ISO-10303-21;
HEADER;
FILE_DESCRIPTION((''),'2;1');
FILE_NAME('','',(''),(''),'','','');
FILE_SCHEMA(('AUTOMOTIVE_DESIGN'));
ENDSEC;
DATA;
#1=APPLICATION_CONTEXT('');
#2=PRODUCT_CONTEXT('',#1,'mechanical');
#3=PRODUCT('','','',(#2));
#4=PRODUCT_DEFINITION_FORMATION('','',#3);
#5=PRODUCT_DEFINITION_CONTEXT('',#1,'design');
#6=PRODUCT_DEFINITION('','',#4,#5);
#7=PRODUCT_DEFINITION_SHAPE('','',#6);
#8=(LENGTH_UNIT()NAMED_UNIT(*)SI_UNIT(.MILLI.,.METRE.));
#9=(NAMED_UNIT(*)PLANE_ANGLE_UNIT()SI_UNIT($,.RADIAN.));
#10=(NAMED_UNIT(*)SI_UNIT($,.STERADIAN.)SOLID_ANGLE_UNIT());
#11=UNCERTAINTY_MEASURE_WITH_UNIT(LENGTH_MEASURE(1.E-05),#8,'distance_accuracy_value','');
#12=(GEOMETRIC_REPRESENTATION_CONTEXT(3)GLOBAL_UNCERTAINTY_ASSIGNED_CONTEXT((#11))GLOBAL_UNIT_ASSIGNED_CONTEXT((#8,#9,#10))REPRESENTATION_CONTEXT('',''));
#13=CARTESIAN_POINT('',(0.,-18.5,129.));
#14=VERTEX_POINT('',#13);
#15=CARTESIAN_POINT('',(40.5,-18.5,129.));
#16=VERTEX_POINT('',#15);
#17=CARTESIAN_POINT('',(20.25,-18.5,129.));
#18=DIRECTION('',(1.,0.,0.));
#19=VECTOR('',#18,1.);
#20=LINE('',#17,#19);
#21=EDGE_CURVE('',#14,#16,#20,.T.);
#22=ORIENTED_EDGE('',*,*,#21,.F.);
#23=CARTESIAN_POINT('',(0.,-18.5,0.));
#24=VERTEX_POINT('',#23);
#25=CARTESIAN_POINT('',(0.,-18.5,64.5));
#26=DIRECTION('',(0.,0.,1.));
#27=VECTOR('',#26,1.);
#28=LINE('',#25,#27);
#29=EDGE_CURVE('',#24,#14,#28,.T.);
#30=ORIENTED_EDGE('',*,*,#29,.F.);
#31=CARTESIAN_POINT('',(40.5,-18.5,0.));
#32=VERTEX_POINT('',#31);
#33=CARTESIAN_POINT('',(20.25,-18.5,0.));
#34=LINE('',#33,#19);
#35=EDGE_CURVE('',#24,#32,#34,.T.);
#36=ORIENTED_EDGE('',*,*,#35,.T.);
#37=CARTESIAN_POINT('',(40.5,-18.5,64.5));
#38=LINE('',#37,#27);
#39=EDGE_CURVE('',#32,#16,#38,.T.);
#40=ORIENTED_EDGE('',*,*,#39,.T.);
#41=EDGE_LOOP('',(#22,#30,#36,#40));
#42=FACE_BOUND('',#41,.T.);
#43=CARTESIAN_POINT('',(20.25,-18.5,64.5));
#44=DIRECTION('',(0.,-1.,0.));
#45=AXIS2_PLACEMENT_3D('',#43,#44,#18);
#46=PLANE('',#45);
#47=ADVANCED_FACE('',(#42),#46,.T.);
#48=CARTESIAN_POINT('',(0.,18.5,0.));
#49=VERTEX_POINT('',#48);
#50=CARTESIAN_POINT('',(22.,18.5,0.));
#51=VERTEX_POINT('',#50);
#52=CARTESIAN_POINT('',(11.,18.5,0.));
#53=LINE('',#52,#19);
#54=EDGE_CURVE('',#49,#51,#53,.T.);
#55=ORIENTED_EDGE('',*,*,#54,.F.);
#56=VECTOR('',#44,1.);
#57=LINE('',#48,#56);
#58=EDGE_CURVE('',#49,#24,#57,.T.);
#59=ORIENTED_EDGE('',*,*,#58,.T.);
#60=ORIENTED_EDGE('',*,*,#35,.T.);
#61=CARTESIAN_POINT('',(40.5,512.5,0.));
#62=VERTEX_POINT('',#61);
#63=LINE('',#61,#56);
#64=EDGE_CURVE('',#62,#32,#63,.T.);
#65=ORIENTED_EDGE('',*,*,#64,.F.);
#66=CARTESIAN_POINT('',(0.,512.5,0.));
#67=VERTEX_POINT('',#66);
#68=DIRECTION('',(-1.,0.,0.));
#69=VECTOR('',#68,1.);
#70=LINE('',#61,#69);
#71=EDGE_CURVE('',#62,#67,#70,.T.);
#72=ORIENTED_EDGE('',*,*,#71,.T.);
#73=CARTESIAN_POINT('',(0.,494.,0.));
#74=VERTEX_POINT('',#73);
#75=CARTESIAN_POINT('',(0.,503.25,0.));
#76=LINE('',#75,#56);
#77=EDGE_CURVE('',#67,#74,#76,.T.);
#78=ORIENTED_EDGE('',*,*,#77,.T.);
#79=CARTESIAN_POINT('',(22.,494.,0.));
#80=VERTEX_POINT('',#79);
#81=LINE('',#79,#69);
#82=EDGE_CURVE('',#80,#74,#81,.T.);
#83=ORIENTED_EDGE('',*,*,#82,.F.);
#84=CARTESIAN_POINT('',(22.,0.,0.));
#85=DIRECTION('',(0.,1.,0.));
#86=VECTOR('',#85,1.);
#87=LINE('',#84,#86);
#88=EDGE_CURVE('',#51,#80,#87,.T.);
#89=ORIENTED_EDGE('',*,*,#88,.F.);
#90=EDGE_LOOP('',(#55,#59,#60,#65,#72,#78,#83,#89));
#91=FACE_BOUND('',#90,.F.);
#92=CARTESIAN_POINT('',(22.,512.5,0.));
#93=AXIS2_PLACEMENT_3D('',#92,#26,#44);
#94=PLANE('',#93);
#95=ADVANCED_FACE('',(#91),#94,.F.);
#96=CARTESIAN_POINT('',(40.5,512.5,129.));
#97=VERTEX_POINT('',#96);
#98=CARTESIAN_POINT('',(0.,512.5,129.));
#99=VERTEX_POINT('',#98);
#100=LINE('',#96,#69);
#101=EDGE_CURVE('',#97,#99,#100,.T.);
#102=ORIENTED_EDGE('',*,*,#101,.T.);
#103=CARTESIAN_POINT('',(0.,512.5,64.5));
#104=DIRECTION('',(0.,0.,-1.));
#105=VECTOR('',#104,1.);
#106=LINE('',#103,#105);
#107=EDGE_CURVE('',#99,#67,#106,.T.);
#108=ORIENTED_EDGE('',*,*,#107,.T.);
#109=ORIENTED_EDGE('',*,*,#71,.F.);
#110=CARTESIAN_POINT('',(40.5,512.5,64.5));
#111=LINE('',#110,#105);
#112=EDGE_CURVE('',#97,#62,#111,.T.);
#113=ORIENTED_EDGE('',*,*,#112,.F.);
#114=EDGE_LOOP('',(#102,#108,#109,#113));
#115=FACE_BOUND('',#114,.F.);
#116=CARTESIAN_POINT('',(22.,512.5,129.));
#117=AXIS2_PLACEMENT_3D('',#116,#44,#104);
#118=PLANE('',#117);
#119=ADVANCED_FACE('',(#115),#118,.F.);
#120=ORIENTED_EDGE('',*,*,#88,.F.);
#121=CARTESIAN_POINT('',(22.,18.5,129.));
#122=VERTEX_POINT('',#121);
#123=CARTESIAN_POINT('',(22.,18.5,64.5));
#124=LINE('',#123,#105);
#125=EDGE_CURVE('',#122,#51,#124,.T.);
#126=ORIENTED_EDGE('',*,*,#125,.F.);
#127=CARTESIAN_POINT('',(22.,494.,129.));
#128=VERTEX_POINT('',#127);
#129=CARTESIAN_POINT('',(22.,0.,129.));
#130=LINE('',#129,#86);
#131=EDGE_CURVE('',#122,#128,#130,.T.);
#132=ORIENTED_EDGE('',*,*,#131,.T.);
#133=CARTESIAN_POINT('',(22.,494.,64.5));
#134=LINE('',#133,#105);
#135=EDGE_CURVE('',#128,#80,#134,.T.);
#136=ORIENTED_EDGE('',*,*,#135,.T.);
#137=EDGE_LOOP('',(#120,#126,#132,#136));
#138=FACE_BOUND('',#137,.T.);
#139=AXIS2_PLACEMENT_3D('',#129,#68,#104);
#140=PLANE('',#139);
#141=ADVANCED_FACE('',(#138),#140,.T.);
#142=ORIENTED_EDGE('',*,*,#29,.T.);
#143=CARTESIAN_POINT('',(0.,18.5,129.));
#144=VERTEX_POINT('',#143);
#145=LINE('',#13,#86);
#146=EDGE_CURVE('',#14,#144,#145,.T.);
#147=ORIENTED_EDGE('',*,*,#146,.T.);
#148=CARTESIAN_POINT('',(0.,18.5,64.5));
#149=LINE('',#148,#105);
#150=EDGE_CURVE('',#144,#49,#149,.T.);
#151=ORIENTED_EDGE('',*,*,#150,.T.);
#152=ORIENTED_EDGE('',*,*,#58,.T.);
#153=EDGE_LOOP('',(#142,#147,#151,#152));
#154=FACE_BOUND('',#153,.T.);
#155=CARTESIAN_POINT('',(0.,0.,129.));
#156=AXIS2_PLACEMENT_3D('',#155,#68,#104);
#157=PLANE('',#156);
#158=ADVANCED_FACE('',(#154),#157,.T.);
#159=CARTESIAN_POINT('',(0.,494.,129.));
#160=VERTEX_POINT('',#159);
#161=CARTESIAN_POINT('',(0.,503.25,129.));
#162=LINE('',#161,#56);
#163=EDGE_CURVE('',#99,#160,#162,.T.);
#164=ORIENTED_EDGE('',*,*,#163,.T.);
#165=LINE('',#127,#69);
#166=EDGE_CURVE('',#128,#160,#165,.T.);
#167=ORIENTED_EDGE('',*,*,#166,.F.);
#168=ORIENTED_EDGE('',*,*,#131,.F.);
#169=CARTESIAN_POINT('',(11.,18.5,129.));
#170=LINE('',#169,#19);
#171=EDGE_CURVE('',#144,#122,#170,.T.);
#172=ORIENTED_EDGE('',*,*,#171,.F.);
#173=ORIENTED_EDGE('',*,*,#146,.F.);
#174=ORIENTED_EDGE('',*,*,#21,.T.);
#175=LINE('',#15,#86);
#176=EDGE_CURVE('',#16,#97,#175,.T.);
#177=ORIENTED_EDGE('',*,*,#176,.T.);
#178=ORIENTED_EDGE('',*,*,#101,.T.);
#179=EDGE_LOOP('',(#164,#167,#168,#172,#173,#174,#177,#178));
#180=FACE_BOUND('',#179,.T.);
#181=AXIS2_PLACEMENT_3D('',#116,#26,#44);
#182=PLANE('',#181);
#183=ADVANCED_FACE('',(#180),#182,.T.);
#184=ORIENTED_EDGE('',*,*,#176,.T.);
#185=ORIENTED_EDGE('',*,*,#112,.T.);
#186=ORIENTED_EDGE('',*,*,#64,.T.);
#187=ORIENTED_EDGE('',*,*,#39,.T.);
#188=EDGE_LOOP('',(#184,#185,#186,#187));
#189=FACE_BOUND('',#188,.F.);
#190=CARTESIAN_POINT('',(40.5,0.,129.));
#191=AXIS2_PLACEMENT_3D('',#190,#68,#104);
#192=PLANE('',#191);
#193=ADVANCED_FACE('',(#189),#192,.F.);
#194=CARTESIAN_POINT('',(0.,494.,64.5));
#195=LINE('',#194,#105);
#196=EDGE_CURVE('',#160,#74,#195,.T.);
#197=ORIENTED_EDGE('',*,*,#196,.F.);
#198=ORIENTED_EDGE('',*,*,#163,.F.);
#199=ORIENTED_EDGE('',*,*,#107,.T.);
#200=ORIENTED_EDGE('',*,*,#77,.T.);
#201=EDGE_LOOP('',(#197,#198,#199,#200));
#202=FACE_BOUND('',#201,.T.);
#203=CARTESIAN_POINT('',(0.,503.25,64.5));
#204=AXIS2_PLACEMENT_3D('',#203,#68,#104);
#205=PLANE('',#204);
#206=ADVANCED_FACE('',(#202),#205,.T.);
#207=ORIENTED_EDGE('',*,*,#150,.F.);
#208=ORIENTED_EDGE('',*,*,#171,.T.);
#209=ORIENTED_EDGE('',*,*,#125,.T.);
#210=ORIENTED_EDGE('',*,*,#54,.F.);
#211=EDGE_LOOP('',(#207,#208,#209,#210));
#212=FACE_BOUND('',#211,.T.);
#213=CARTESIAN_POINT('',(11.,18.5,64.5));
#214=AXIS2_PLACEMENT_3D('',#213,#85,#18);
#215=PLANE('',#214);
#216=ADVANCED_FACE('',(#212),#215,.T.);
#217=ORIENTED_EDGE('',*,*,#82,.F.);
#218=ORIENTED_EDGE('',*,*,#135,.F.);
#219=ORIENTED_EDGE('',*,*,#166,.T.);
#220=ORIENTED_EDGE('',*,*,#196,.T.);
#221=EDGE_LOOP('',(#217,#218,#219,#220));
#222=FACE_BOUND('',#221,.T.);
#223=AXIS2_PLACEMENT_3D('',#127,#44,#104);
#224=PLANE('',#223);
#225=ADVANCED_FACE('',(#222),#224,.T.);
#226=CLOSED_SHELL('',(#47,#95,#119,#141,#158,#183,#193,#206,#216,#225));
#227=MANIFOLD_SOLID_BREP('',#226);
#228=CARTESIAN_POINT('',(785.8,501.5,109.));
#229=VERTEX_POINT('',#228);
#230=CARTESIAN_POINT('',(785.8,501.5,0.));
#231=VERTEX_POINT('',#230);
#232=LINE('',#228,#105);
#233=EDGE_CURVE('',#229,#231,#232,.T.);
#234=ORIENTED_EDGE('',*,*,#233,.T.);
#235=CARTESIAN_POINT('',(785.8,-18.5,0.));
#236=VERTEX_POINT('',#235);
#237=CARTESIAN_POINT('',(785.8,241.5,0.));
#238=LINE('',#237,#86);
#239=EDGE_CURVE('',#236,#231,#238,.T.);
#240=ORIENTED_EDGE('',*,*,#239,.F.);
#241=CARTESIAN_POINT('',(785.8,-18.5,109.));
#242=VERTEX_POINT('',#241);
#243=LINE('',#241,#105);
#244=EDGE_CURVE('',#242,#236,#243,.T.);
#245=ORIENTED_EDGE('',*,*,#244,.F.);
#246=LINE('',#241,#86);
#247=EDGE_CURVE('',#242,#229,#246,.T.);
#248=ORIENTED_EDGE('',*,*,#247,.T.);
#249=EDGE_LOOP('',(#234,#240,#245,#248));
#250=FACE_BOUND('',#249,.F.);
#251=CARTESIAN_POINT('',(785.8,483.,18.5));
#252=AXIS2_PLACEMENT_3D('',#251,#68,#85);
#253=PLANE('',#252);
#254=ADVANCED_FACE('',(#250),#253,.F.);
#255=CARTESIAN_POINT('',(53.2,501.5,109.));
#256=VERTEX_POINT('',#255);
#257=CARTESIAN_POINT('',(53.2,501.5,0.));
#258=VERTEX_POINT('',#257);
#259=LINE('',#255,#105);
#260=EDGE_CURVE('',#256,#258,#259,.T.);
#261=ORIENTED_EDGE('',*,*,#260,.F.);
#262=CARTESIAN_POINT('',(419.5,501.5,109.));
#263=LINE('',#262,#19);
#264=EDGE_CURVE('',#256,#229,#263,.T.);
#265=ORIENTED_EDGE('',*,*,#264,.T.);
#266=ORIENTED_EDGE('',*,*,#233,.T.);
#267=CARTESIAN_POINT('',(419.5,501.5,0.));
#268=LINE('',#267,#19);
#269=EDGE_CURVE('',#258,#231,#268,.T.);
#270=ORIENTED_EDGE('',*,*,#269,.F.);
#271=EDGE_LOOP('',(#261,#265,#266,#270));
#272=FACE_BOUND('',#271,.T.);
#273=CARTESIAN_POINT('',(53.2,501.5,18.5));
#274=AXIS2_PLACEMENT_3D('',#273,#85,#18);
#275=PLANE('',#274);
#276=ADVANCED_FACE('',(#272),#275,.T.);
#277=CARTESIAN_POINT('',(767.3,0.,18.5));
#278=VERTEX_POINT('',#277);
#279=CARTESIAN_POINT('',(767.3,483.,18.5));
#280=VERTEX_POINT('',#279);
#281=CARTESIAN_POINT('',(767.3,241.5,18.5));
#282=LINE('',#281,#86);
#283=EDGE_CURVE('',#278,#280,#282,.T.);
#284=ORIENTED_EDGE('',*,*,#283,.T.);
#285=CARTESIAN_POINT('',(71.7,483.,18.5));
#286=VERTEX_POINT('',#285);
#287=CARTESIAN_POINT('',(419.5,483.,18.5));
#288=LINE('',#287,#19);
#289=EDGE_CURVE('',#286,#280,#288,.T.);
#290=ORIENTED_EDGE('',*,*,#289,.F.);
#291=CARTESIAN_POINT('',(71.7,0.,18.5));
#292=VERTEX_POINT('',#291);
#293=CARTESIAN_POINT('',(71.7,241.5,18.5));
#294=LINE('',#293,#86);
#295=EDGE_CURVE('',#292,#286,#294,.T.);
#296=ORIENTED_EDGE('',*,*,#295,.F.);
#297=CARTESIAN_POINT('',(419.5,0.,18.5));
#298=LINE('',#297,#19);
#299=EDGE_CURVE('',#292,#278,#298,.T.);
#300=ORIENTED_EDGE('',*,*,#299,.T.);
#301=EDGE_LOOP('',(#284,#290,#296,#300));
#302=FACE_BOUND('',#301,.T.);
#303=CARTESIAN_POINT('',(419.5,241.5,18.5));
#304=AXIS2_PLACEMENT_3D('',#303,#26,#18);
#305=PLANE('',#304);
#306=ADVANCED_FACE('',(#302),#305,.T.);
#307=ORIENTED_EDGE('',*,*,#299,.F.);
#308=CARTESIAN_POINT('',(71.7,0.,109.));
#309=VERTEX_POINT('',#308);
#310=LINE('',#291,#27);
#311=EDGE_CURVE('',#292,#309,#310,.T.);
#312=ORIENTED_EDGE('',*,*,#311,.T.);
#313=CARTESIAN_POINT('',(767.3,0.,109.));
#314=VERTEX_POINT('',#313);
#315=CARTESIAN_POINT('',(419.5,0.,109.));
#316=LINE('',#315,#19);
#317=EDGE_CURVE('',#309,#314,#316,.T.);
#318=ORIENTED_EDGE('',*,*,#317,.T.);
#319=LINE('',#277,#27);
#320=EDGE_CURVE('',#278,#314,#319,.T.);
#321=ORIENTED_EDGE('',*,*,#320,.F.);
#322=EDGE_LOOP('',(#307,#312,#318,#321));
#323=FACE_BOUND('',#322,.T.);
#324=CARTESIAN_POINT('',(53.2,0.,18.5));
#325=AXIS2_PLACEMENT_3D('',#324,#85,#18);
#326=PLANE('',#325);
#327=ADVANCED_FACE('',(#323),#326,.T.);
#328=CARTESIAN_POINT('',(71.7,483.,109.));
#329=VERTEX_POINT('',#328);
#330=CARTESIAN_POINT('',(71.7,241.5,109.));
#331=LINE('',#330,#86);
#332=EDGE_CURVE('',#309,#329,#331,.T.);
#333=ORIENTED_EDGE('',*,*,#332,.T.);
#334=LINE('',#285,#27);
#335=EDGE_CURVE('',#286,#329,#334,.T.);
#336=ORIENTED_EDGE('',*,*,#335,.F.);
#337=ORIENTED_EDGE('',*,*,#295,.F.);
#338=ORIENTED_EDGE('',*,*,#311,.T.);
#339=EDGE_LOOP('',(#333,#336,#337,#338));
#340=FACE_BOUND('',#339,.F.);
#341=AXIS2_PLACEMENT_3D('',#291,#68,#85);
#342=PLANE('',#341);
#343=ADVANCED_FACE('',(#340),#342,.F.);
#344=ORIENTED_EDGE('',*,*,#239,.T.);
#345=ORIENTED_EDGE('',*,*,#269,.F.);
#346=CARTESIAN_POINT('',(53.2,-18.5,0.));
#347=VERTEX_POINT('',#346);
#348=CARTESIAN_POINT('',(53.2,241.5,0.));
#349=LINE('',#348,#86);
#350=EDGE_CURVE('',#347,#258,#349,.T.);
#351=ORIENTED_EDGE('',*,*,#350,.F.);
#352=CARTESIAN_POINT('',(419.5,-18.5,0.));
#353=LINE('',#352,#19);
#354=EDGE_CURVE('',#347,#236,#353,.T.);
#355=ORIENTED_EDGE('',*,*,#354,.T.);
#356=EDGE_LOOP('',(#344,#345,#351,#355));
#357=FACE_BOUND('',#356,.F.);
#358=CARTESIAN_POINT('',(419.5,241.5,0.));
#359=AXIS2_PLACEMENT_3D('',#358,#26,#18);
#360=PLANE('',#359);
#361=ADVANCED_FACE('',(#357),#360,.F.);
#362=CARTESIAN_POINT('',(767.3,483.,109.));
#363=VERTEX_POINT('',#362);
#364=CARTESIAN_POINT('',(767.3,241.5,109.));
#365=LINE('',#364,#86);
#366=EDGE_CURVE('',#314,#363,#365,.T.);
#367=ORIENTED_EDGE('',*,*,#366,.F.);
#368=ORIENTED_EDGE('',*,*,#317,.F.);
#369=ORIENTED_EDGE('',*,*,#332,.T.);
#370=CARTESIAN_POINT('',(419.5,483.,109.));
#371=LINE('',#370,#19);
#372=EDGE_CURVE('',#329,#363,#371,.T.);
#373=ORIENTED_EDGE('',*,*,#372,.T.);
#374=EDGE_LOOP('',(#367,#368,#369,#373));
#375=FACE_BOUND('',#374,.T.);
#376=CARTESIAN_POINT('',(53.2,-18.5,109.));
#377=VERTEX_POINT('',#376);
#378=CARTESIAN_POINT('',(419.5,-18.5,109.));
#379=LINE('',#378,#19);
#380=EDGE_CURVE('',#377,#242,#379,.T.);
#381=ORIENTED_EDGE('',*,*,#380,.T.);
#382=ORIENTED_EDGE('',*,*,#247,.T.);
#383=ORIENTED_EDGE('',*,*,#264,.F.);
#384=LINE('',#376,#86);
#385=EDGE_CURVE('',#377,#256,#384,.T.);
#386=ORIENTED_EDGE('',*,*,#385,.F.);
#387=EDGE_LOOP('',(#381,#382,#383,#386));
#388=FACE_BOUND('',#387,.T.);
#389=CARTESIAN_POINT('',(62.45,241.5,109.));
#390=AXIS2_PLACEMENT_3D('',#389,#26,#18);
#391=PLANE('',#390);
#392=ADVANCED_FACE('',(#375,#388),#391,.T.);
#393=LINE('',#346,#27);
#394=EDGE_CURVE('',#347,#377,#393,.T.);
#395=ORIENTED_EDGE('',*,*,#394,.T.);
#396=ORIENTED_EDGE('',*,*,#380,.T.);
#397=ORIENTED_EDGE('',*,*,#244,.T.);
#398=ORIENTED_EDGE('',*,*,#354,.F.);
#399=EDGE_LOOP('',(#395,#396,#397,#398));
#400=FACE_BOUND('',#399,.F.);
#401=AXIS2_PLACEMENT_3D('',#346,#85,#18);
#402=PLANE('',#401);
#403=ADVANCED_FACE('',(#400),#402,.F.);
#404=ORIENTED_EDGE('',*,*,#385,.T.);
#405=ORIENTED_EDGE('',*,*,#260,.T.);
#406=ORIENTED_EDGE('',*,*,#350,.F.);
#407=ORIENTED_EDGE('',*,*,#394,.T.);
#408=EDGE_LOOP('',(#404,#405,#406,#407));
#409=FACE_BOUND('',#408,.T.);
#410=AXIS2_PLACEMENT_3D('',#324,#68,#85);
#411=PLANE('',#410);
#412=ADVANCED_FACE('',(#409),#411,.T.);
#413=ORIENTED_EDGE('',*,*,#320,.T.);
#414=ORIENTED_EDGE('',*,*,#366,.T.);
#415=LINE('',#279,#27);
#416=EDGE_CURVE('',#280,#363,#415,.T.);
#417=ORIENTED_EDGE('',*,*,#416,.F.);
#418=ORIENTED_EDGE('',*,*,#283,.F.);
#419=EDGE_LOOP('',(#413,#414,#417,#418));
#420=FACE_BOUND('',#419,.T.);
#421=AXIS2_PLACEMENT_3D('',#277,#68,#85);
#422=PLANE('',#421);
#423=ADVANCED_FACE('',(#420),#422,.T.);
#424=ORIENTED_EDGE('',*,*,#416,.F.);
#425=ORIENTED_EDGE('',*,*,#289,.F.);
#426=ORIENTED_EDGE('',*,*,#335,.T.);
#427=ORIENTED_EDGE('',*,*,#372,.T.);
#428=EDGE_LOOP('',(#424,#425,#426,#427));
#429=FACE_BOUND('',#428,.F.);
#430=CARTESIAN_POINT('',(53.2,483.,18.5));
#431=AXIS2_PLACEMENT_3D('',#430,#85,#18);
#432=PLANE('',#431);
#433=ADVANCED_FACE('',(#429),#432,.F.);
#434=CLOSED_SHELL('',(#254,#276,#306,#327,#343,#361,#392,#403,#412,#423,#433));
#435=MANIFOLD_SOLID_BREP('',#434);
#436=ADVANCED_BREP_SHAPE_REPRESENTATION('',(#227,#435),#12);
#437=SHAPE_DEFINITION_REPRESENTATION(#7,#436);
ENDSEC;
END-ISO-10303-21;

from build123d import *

# Parameters (mm, degrees)
SKETCH_W     = 40.5
SKETCH_H     = 129
PAD_DEPTH    = 18.5
SKETCH001_W  = 22
SKETCH001_H  = 129
PAD001_DEPTH = 18.5
SKETCH002_W  = 18.5
SKETCH002_H  = 129
PAD002_DEPTH = 512.5
SKETCH003_W  = 129
SKETCH003_H  = 18.5
PAD003_DEPTH = 22
SKETCH004_W  = 732.6
SKETCH004_H  = 520
PAD004_DEPTH = 18.5
SKETCH005_W  = 732.6
SKETCH005_H  = 18.5
PAD005_DEPTH = 90.5
SKETCH006_W  = 18.5
SKETCH006_H  = 483
PAD006_DEPTH = 90.5


with BuildPart() as borda:
    # Sketch → Pad (new body)
    with BuildSketch(Plane.XZ):
        with Locations((20.25, 64.5)):
            Rectangle(SKETCH_W, SKETCH_H)
    extrude(amount=PAD_DEPTH)

    # Sketch001 (on Face5 of Pad) → Pad001 (join)
    with BuildSketch(Plane(origin=(0, 0, 0), x_dir=(1, 0, 0), z_dir=(0, 1, 0))):
        with Locations((11, -64.5)):
            Rectangle(SKETCH001_W, SKETCH001_H)
    extrude(amount=PAD001_DEPTH)

    # Sketch002 (on Face5 of Pad001) → Pad002 (join)
    with BuildSketch(Plane(origin=(0, 0, 0), x_dir=(1, 0, 0), z_dir=(0, 1, 0))):
        with Locations((31.25, -64.5)):
            Rectangle(SKETCH002_W, SKETCH002_H)
    extrude(amount=PAD002_DEPTH)

    # Sketch003 (on Face11 of Pad002) → Pad003 (join)
    with BuildSketch(Plane(origin=(22, 0, 0), x_dir=(0, 0, -1), z_dir=(-1, 0, 0))):
        with Locations((-64.5, -503.25)):
            Rectangle(SKETCH003_W, SKETCH003_H)
    extrude(amount=PAD003_DEPTH)


with BuildPart() as gaveta:
    # Sketch004 → Pad004 (new body)
    with BuildSketch(Plane.XY):
        with Locations((419.5, 241.5)):
            Rectangle(SKETCH004_W, SKETCH004_H)
    extrude(amount=PAD004_DEPTH)

    # Sketch005 (on Face6 of Pad004) → Pad005 (join)
    with BuildSketch(Plane.XY.offset(18.5)):
        with Locations((419.5, 492.25)):
            Rectangle(SKETCH005_W, SKETCH005_H)
        with Locations((419.5, -9.25)):
            Rectangle(SKETCH005_W, SKETCH005_H)
    extrude(amount=PAD005_DEPTH)

    # Sketch006 (on Face8 of Pad005) → Pad006 (join)
    with BuildSketch(Plane.XY.offset(18.5)):
        with Locations((62.45, 241.5)):
            Rectangle(SKETCH006_W, SKETCH006_H)
        with Locations((776.55, 241.5)):
            Rectangle(SKETCH006_W, SKETCH006_H)
    extrude(amount=PAD006_DEPTH)


solid = Compound([borda.part, gaveta.part])
